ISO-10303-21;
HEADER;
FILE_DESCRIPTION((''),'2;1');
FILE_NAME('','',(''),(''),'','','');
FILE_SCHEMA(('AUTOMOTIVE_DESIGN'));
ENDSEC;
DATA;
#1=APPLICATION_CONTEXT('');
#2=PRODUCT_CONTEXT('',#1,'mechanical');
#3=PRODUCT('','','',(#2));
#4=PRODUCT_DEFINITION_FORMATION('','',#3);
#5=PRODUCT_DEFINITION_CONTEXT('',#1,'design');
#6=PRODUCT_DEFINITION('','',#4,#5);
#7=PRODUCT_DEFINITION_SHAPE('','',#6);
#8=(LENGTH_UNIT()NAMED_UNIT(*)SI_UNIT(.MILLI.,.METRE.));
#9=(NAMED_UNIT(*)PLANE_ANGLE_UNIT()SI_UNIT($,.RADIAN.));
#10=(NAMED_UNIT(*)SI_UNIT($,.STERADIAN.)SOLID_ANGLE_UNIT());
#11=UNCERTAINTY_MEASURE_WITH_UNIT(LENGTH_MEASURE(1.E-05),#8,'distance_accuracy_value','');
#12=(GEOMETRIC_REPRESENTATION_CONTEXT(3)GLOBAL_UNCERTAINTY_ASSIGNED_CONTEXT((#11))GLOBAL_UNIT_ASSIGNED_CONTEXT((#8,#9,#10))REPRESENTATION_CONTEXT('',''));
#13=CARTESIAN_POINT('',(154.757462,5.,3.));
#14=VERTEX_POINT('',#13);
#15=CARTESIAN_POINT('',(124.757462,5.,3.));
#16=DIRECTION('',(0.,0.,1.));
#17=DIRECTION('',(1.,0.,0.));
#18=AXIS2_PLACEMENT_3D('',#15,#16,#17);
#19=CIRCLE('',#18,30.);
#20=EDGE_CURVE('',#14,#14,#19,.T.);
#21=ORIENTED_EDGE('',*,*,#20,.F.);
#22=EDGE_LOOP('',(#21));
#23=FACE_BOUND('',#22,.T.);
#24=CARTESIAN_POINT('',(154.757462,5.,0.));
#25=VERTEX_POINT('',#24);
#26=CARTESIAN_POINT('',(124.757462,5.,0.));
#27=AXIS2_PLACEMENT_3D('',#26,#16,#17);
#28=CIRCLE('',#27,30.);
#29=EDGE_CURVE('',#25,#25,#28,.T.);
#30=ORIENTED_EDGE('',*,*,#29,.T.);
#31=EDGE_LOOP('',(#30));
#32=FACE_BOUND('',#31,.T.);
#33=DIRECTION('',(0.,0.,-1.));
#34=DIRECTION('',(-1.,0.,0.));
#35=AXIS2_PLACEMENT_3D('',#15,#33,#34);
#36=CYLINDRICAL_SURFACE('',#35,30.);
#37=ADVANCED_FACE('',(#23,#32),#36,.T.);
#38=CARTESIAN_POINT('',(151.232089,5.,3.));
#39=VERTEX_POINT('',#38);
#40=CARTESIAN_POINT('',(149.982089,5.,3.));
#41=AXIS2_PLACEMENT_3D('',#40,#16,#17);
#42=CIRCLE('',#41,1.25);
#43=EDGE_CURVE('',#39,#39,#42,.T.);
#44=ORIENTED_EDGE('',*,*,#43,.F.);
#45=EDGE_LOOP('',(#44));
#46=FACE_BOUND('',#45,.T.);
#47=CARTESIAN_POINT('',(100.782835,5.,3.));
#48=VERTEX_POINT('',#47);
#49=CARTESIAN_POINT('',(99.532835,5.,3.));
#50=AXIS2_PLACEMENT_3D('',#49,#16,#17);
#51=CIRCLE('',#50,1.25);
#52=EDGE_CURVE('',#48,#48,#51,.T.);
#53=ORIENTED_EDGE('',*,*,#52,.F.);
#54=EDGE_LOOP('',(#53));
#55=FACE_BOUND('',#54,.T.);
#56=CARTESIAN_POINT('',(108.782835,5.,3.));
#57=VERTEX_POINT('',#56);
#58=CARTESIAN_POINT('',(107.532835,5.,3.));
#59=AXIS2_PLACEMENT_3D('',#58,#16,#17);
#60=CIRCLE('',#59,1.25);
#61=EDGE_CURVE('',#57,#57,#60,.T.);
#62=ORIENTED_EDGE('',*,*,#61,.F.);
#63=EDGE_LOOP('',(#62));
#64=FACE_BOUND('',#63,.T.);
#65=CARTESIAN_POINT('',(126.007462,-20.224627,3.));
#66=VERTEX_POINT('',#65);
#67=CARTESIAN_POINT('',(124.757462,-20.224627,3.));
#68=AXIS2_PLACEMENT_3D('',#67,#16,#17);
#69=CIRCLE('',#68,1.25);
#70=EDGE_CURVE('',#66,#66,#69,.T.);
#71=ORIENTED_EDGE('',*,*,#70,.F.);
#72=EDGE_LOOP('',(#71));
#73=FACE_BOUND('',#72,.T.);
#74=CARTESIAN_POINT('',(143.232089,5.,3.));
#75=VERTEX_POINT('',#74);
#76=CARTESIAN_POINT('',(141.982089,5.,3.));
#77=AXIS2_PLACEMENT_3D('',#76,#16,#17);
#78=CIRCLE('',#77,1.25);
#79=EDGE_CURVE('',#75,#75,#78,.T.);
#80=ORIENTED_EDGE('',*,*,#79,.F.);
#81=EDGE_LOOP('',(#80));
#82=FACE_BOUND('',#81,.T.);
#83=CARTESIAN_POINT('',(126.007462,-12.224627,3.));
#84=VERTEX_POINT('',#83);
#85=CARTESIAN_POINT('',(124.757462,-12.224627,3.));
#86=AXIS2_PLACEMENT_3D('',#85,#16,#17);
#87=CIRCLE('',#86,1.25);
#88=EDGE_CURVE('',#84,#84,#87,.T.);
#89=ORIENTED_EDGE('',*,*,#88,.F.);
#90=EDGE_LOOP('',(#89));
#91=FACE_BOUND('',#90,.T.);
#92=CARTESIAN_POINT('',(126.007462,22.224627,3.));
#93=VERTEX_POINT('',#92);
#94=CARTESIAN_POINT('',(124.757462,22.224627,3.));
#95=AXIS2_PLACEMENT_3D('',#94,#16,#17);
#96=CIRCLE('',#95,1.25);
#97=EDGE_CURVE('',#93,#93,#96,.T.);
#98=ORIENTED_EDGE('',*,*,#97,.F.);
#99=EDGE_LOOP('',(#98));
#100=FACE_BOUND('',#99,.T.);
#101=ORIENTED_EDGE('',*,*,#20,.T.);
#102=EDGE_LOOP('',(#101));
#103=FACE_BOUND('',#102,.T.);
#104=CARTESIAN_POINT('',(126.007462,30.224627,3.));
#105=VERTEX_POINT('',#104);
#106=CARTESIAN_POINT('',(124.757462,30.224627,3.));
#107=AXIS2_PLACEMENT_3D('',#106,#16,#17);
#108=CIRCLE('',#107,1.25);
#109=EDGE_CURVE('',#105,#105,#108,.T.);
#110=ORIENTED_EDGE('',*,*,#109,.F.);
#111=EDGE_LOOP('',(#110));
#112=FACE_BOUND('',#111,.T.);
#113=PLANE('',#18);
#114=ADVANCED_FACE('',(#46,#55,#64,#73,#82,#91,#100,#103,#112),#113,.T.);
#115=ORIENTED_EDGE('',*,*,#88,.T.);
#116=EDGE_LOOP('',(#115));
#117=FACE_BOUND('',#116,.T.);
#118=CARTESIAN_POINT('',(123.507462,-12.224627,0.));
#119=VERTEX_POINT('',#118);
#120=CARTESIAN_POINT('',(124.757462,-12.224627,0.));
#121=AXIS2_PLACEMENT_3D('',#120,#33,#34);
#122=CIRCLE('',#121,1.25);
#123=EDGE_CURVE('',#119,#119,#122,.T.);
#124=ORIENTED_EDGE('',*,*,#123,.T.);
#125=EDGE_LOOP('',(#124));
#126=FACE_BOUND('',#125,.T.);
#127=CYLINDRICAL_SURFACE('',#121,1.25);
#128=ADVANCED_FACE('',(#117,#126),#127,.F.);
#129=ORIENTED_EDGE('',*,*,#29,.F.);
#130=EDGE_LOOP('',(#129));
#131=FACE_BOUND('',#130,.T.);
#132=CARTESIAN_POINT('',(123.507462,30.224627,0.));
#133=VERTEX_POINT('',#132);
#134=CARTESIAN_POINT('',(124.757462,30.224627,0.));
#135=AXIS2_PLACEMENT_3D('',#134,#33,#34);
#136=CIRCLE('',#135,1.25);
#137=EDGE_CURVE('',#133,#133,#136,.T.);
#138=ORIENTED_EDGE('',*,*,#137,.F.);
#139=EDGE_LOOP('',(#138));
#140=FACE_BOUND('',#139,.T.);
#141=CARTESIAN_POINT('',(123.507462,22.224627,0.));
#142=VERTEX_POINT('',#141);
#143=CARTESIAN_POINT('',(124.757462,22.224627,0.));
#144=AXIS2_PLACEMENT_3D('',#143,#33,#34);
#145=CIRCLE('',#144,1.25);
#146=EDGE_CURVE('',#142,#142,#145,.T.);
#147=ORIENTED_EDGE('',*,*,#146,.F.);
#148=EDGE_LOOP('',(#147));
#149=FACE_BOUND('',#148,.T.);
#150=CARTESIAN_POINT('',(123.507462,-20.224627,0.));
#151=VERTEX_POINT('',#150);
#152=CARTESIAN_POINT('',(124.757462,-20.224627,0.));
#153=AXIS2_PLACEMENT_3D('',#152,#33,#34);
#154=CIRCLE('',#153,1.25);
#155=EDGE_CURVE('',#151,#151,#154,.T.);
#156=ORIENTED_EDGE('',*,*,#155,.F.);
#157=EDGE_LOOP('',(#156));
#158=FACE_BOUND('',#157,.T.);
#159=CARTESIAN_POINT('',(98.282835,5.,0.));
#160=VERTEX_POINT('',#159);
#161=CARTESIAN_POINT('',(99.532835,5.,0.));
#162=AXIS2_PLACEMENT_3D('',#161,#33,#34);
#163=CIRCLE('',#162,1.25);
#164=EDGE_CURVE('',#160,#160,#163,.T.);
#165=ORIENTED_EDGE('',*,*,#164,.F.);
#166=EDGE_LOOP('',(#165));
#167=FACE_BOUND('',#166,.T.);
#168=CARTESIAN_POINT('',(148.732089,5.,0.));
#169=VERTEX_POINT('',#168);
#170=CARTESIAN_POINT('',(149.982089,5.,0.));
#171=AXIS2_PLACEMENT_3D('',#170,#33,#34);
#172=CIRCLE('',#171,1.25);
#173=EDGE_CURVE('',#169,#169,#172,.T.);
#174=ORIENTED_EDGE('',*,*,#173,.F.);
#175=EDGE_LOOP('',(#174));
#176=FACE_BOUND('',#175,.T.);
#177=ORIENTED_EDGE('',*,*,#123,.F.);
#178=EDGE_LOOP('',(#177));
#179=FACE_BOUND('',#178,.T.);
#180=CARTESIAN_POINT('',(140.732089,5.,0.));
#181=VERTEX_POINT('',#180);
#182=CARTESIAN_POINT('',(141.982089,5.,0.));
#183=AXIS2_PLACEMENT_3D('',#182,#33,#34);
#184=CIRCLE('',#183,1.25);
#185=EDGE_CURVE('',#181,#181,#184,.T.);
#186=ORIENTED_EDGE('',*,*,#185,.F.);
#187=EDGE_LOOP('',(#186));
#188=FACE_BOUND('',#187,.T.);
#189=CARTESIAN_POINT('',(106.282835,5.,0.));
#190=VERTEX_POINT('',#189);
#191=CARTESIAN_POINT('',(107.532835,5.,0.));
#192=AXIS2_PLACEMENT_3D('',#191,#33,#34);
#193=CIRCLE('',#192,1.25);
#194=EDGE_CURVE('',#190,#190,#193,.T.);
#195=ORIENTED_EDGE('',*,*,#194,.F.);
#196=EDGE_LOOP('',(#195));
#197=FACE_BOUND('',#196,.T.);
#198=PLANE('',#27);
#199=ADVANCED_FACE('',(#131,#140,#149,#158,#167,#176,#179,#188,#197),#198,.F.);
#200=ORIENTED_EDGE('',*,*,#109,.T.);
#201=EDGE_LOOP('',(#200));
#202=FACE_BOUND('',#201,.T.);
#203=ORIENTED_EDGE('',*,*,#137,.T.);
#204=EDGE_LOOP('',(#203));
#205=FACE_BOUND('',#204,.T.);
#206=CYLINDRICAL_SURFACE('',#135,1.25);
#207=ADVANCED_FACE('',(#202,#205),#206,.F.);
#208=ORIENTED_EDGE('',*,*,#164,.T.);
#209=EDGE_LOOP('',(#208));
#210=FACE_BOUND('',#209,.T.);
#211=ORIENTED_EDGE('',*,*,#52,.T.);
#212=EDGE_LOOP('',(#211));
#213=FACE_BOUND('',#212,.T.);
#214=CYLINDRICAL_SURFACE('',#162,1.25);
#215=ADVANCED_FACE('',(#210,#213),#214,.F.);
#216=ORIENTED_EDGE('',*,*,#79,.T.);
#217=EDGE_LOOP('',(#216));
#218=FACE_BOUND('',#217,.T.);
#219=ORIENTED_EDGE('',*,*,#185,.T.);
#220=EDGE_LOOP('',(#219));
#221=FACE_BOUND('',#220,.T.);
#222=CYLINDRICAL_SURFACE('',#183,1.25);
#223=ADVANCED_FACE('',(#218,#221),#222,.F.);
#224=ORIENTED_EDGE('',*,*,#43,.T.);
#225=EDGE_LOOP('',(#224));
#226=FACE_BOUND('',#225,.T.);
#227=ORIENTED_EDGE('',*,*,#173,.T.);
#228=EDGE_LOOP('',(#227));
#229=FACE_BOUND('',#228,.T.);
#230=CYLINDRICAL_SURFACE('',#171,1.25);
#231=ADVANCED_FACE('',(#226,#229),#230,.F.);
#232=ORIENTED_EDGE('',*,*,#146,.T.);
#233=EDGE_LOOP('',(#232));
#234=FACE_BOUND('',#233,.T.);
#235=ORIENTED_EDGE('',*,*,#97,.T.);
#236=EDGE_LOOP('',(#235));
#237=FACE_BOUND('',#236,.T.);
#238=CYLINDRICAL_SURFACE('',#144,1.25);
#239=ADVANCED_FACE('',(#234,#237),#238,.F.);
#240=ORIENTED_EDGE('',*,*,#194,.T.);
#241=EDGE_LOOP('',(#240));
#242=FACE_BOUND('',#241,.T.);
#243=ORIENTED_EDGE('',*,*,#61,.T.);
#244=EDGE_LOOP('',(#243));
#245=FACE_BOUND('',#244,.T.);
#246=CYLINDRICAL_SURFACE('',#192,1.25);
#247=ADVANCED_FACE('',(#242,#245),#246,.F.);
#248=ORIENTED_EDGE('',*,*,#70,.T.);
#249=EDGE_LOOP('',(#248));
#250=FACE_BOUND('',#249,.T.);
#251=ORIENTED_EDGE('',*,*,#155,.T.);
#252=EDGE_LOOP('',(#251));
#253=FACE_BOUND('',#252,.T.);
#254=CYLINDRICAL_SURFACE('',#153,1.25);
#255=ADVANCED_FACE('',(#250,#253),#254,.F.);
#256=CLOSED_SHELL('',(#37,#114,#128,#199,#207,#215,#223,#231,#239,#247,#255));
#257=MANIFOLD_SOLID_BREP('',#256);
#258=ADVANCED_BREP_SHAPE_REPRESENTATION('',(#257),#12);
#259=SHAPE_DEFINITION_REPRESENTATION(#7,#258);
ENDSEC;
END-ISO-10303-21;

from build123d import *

# Parameters (mm, degrees)
SKETCH1_R           = 30
BOSS_EXTRUDE1_DEPTH = 3
LPATTERN1_COUNT     = 2
LPATTERN1_PITCH     = 8


with BuildPart() as part:
    # Sketch1 → Boss-Extrude1 (new body)
    with BuildSketch(Plane.XY):
        with Locations((124.757462076, 5)):
            Circle(SKETCH1_R)
    extrude(amount=BOSS_EXTRUDE1_DEPTH)

    # Sketch2 → M3 Tapped Hole1 (revolve, cut)
    with BuildSketch(Plane(origin=(107.532834786, 5, 0), x_dir=(0, 1, 0), z_dir=(1, 0, 0))):
        Polygon((0, 0), (0, 8.251075774), (1.25, 7.5), (1.25, 0), align=None)
    m3_tapped_hole1 = revolve(axis=Axis((107.532834786, 5, -6.35), (0, 0, 1)), mode=Mode.SUBTRACT)

    # LPattern1: M3 Tapped Hole1 ×2
    with Locations(*[(-i * LPATTERN1_PITCH, 0, 0) for i in range(1, LPATTERN1_COUNT)]):
        add(m3_tapped_hole1, mode=Mode.SUBTRACT)

    # CirPattern1 copy 1 sketch → CirPattern1 copy 1 (revolve, cut)
    with BuildSketch(Plane(origin=(124.757462076, 30.22462729, 0), x_dir=(1, 0, 0), z_dir=(0, -1, 0))):
        Polygon((0, 0), (0, 8.251075774), (1.25, 7.5), (1.25, 0), align=None)
    revolve(axis=Axis((124.757462076, 30.22462729, -6.35), (0, 0, 1)), mode=Mode.SUBTRACT)

    # CirPattern1 copy 2 sketch → CirPattern1 copy 2 (revolve, cut)
    with BuildSketch(Plane(origin=(149.982089365, 5, 0), x_dir=(0, -1, 0), z_dir=(-1, 0, 0))):
        Polygon((0, 0), (0, 8.251075774), (1.25, 7.5), (1.25, 0), align=None)
    revolve(axis=Axis((149.982089365, 5, -6.35), (0, 0, 1)), mode=Mode.SUBTRACT)

    # CirPattern1 copy 3 sketch → CirPattern1 copy 3 (revolve, cut)
    with BuildSketch(Plane(origin=(124.757462076, -20.22462729, 0), x_dir=(-1, 0, 0), z_dir=(0, 1, 0))):
        Polygon((0, 0), (0, 8.251075774), (1.25, 7.5), (1.25, 0), align=None)
    revolve(axis=Axis((124.757462076, -20.22462729, -6.35), (0, 0, 1)), mode=Mode.SUBTRACT)

    # CirPattern1 copy 4 sketch → CirPattern1 copy 4 (revolve, cut)
    with BuildSketch(Plane(origin=(124.757462076, 22.22462729, 0), x_dir=(1, 0, 0), z_dir=(0, -1, 0))):
        Polygon((0, 0), (0, 8.251075774), (1.25, 7.5), (1.25, 0), align=None)
    revolve(axis=Axis((124.757462076, 22.22462729, -6.35), (0, 0, 1)), mode=Mode.SUBTRACT)

    # CirPattern1 copy 5 sketch → CirPattern1 copy 5 (revolve, cut)
    with BuildSketch(Plane(origin=(141.982089365, 5, 0), x_dir=(0, -1, 0), z_dir=(-1, 0, 0))):
        Polygon((0, 0), (0, 8.251075774), (1.25, 7.5), (1.25, 0), align=None)
    revolve(axis=Axis((141.982089365, 5, -6.35), (0, 0, 1)), mode=Mode.SUBTRACT)

    # CirPattern1 copy 6 sketch → CirPattern1 copy 6 (revolve, cut)
    with BuildSketch(Plane(origin=(124.757462076, -12.22462729, 0), x_dir=(-1, 0, 0), z_dir=(0, 1, 0))):
        Polygon((0, 0), (0, 8.251075774), (1.25, 7.5), (1.25, 0), align=None)
    revolve(axis=Axis((124.757462076, -12.22462729, -6.35), (0, 0, 1)), mode=Mode.SUBTRACT)


solid = part.part
